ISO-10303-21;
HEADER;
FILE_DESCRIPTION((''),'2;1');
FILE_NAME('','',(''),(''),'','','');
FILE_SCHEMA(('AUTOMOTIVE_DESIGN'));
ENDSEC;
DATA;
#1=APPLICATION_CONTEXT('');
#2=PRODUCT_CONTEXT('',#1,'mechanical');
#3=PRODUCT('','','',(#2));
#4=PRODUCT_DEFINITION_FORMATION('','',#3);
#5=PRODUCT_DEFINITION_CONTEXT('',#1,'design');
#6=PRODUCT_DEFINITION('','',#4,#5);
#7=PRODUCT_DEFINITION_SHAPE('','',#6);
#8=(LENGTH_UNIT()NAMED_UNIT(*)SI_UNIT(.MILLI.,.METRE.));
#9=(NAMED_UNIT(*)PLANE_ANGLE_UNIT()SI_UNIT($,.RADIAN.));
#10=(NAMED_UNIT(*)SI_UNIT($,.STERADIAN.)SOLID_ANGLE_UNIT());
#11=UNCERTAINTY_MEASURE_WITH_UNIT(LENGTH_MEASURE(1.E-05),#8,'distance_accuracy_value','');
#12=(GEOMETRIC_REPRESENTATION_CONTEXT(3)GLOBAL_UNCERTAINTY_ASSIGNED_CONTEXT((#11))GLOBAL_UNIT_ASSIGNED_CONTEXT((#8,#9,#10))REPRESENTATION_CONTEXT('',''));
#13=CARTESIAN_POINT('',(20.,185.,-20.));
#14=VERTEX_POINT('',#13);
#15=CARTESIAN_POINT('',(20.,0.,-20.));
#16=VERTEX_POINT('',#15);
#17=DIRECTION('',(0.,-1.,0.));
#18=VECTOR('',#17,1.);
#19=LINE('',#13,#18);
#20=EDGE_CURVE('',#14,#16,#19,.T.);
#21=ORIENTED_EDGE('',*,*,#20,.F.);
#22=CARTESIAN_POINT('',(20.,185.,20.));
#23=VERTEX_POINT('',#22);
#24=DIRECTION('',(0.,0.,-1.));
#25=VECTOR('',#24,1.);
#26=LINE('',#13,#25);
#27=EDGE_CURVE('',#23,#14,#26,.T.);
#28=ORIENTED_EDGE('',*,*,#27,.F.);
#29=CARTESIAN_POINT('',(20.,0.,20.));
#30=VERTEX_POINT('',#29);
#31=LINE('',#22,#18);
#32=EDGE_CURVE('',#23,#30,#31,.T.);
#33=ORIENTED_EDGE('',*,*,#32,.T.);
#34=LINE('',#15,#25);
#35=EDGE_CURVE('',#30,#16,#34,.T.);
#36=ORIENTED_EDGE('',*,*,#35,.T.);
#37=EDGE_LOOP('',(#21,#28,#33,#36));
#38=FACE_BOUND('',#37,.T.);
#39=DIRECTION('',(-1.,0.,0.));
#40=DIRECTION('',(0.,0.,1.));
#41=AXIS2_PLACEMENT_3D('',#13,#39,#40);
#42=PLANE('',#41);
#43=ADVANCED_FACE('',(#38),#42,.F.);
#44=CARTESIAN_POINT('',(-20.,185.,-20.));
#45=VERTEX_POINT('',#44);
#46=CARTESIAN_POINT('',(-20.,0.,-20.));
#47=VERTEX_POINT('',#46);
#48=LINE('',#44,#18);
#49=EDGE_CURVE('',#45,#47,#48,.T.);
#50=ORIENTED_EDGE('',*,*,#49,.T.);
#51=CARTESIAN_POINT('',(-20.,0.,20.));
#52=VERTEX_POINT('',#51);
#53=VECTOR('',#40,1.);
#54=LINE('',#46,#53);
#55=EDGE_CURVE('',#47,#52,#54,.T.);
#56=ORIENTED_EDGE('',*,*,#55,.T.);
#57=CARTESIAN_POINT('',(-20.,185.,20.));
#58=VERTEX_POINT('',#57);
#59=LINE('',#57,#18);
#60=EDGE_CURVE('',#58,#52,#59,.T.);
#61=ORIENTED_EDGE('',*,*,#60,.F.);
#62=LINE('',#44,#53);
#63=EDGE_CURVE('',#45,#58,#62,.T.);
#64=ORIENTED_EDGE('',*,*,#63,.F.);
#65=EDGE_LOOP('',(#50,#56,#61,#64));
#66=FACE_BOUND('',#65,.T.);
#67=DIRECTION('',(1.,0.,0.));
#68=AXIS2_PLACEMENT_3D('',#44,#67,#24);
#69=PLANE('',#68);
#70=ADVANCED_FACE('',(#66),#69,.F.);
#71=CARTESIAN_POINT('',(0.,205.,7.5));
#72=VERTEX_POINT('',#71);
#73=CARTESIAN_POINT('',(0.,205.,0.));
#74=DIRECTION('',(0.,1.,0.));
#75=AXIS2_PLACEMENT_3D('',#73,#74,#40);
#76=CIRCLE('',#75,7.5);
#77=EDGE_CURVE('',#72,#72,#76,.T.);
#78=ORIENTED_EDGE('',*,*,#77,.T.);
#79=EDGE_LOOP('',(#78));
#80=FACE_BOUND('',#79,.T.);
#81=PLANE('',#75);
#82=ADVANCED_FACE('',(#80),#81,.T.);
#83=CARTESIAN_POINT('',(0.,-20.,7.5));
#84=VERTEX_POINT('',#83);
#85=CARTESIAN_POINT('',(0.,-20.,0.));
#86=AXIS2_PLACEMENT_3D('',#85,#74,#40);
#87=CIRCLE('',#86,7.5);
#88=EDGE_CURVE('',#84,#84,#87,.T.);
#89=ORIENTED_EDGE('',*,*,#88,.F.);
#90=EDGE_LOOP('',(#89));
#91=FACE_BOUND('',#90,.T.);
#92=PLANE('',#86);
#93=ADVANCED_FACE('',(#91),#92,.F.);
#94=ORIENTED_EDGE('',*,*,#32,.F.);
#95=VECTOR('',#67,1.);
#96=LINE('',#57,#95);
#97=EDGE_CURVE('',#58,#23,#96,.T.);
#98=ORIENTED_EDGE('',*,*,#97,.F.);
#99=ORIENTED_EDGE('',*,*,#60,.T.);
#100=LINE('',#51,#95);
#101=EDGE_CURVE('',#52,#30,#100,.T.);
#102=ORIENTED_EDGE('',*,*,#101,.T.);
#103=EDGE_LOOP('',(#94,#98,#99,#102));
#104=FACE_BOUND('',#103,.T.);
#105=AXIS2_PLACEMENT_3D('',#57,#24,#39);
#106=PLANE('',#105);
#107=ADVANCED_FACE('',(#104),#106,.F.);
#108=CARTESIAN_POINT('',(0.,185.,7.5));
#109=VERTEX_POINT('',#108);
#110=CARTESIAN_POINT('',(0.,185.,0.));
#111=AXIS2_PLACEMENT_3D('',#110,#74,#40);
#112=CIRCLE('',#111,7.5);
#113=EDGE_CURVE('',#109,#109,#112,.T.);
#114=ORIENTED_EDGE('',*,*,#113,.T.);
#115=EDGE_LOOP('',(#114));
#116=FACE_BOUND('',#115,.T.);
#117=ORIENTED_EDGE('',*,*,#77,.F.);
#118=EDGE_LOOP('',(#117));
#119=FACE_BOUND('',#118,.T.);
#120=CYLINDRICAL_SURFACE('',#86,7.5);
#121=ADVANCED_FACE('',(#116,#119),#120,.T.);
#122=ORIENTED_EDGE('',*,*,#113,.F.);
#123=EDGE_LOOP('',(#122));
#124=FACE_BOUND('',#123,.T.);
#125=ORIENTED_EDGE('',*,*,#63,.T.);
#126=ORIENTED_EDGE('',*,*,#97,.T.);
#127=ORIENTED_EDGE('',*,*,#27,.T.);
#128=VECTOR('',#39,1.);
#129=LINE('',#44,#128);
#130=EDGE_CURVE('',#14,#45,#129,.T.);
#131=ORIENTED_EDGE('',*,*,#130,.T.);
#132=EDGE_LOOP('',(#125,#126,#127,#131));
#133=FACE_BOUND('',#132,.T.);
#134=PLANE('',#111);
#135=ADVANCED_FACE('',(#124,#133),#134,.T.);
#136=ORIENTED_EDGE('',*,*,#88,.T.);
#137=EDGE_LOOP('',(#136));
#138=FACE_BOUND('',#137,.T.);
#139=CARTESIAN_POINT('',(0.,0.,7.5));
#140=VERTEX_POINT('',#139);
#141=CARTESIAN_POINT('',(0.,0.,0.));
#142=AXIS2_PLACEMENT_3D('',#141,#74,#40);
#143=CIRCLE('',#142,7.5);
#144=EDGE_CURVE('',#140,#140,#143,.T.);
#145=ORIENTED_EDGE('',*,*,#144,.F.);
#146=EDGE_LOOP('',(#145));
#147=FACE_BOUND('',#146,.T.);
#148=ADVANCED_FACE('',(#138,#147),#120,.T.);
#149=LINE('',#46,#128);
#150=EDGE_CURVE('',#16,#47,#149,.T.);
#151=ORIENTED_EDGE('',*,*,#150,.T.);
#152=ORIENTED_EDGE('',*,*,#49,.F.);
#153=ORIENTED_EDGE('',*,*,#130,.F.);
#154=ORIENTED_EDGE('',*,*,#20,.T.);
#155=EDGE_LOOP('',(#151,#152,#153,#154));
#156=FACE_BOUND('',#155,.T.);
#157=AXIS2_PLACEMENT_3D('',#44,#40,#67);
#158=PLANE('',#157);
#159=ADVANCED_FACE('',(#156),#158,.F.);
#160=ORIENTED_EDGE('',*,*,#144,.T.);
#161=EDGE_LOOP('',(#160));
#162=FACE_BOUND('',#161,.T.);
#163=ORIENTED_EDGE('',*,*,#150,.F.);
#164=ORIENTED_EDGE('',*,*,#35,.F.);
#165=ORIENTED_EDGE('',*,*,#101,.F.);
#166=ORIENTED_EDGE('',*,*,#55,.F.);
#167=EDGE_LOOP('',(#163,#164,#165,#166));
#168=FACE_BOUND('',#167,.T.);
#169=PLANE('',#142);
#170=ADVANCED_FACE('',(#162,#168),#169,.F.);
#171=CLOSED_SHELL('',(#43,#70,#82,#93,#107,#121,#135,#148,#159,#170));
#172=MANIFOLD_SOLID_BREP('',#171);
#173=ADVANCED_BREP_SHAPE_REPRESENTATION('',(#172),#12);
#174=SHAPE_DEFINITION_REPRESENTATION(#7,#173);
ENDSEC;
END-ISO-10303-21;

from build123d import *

# Parameters (mm, degrees)
SKETCH1_W                = 40
SKETCH1_H                = 40
BOSS_EXTRUDE1_DEPTH      = 185
SKETCH2_R                = 7.5
BOSS_EXTRUDE2_DEPTH      = 20
BOSS_EXTRUDE2_DEPTH_BACK = 205


with BuildPart() as part:
    # Sketch1 → Boss-Extrude1 (new body)
    with BuildSketch(Plane(origin=(0, 0, 0), x_dir=(1, 0, 0), z_dir=(0, 1, 0))):
        Rectangle(SKETCH1_W, SKETCH1_H)
    extrude(amount=BOSS_EXTRUDE1_DEPTH)

    # Sketch2 → Boss-Extrude2 (add, two sides)
    with BuildSketch(Plane(origin=(0, 185, 0), x_dir=(1, 0, 0), z_dir=(0, 1, 0))) as boss_extrude2_sk:
        Circle(SKETCH2_R)
    extrude(amount=BOSS_EXTRUDE2_DEPTH)
    extrude(boss_extrude2_sk.sketch, amount=-BOSS_EXTRUDE2_DEPTH_BACK)


solid = part.part
